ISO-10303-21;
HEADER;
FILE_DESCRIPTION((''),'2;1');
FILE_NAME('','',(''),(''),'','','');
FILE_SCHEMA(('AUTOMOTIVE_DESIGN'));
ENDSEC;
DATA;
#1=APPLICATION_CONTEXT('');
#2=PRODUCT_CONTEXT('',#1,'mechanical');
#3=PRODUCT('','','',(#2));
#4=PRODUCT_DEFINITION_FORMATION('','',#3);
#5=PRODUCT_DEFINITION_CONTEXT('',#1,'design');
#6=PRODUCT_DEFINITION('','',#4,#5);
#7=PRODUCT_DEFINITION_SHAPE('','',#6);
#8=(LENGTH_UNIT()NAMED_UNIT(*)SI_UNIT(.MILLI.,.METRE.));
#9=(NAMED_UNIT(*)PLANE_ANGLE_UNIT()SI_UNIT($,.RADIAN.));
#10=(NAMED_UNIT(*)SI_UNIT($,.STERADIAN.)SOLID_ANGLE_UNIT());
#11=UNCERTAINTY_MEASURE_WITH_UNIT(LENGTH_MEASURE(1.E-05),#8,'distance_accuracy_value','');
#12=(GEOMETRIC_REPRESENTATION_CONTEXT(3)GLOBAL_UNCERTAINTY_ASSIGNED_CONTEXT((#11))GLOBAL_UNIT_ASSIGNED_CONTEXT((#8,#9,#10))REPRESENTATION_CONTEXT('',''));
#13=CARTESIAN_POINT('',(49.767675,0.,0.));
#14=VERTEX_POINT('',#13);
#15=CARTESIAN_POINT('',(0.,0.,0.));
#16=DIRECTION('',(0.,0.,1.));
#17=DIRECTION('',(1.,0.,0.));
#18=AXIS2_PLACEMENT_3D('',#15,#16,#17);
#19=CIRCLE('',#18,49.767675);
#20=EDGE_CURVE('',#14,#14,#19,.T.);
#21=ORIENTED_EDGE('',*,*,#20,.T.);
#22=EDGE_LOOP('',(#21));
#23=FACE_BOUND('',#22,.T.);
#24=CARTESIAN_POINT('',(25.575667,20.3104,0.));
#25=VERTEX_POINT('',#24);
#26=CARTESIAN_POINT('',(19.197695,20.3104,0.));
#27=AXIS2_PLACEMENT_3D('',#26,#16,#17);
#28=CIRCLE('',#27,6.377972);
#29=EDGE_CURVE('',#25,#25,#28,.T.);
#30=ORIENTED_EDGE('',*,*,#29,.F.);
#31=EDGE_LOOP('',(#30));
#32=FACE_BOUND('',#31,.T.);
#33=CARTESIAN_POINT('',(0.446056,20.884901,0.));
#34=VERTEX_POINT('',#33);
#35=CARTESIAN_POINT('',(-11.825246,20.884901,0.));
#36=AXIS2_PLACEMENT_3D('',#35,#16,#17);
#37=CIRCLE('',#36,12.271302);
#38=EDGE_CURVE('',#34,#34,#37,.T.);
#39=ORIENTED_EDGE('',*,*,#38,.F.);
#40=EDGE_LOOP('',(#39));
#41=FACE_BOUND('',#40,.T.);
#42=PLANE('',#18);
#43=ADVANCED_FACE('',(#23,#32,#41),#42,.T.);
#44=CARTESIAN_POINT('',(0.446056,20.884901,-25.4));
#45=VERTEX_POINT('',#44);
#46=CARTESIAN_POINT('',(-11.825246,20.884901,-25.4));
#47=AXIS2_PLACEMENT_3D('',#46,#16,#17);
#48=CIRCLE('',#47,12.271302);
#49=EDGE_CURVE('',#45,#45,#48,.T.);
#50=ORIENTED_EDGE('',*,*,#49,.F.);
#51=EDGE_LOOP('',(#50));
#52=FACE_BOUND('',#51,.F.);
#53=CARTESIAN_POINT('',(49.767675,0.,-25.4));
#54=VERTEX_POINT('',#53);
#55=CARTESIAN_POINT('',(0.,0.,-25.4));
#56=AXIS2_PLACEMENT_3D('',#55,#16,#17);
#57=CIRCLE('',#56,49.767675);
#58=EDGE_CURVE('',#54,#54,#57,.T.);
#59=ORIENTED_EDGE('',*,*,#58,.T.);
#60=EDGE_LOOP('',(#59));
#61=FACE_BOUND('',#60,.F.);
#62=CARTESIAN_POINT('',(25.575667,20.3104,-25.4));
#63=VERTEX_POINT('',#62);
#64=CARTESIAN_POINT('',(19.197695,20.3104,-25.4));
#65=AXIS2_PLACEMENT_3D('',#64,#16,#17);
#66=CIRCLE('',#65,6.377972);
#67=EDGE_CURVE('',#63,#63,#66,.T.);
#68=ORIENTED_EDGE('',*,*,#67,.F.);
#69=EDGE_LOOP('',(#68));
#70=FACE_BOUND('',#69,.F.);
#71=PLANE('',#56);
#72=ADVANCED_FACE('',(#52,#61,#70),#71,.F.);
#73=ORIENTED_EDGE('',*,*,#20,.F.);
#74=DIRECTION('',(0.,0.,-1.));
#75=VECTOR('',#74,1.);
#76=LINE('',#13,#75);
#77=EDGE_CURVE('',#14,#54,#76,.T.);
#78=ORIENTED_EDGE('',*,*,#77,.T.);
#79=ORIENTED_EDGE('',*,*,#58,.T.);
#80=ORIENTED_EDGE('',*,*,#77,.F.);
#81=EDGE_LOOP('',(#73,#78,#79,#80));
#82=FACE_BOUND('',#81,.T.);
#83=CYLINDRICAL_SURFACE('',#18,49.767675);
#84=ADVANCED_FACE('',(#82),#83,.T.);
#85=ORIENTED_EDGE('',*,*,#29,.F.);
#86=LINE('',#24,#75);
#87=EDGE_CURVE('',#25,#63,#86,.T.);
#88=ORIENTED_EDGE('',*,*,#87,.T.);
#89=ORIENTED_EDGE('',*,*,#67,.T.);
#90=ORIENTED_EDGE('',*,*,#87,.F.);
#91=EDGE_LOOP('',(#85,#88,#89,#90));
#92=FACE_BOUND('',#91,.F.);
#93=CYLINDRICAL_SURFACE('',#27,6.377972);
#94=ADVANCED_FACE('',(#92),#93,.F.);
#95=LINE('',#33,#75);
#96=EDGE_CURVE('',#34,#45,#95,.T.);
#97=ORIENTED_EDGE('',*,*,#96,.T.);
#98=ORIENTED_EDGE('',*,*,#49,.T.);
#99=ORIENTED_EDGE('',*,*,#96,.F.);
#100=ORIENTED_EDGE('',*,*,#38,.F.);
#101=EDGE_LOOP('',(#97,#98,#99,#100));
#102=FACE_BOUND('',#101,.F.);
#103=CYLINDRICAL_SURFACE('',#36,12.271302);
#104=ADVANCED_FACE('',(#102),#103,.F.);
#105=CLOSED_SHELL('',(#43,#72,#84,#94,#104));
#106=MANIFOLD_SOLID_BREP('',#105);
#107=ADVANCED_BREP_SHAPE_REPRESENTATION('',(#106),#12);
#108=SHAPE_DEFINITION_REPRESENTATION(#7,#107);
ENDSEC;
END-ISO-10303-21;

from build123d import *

# Parameters (mm, degrees)
F0_R     = 49.767675
F0_R_2   = 12.271302
F0_R_3   = 6.377972
F1_DEPTH = 25.4


with BuildPart() as f1:
    # F0 (on Top) → F1 (new body)
    with BuildSketch(Plane.XY):
        Circle(F0_R)
        with Locations((-11.825246, 20.884901)):
            Circle(F0_R_2, mode=Mode.SUBTRACT)
        with Locations((19.197695, 20.3104)):
            Circle(F0_R_3, mode=Mode.SUBTRACT)
    extrude(amount=-F1_DEPTH)


solid = f1.part
